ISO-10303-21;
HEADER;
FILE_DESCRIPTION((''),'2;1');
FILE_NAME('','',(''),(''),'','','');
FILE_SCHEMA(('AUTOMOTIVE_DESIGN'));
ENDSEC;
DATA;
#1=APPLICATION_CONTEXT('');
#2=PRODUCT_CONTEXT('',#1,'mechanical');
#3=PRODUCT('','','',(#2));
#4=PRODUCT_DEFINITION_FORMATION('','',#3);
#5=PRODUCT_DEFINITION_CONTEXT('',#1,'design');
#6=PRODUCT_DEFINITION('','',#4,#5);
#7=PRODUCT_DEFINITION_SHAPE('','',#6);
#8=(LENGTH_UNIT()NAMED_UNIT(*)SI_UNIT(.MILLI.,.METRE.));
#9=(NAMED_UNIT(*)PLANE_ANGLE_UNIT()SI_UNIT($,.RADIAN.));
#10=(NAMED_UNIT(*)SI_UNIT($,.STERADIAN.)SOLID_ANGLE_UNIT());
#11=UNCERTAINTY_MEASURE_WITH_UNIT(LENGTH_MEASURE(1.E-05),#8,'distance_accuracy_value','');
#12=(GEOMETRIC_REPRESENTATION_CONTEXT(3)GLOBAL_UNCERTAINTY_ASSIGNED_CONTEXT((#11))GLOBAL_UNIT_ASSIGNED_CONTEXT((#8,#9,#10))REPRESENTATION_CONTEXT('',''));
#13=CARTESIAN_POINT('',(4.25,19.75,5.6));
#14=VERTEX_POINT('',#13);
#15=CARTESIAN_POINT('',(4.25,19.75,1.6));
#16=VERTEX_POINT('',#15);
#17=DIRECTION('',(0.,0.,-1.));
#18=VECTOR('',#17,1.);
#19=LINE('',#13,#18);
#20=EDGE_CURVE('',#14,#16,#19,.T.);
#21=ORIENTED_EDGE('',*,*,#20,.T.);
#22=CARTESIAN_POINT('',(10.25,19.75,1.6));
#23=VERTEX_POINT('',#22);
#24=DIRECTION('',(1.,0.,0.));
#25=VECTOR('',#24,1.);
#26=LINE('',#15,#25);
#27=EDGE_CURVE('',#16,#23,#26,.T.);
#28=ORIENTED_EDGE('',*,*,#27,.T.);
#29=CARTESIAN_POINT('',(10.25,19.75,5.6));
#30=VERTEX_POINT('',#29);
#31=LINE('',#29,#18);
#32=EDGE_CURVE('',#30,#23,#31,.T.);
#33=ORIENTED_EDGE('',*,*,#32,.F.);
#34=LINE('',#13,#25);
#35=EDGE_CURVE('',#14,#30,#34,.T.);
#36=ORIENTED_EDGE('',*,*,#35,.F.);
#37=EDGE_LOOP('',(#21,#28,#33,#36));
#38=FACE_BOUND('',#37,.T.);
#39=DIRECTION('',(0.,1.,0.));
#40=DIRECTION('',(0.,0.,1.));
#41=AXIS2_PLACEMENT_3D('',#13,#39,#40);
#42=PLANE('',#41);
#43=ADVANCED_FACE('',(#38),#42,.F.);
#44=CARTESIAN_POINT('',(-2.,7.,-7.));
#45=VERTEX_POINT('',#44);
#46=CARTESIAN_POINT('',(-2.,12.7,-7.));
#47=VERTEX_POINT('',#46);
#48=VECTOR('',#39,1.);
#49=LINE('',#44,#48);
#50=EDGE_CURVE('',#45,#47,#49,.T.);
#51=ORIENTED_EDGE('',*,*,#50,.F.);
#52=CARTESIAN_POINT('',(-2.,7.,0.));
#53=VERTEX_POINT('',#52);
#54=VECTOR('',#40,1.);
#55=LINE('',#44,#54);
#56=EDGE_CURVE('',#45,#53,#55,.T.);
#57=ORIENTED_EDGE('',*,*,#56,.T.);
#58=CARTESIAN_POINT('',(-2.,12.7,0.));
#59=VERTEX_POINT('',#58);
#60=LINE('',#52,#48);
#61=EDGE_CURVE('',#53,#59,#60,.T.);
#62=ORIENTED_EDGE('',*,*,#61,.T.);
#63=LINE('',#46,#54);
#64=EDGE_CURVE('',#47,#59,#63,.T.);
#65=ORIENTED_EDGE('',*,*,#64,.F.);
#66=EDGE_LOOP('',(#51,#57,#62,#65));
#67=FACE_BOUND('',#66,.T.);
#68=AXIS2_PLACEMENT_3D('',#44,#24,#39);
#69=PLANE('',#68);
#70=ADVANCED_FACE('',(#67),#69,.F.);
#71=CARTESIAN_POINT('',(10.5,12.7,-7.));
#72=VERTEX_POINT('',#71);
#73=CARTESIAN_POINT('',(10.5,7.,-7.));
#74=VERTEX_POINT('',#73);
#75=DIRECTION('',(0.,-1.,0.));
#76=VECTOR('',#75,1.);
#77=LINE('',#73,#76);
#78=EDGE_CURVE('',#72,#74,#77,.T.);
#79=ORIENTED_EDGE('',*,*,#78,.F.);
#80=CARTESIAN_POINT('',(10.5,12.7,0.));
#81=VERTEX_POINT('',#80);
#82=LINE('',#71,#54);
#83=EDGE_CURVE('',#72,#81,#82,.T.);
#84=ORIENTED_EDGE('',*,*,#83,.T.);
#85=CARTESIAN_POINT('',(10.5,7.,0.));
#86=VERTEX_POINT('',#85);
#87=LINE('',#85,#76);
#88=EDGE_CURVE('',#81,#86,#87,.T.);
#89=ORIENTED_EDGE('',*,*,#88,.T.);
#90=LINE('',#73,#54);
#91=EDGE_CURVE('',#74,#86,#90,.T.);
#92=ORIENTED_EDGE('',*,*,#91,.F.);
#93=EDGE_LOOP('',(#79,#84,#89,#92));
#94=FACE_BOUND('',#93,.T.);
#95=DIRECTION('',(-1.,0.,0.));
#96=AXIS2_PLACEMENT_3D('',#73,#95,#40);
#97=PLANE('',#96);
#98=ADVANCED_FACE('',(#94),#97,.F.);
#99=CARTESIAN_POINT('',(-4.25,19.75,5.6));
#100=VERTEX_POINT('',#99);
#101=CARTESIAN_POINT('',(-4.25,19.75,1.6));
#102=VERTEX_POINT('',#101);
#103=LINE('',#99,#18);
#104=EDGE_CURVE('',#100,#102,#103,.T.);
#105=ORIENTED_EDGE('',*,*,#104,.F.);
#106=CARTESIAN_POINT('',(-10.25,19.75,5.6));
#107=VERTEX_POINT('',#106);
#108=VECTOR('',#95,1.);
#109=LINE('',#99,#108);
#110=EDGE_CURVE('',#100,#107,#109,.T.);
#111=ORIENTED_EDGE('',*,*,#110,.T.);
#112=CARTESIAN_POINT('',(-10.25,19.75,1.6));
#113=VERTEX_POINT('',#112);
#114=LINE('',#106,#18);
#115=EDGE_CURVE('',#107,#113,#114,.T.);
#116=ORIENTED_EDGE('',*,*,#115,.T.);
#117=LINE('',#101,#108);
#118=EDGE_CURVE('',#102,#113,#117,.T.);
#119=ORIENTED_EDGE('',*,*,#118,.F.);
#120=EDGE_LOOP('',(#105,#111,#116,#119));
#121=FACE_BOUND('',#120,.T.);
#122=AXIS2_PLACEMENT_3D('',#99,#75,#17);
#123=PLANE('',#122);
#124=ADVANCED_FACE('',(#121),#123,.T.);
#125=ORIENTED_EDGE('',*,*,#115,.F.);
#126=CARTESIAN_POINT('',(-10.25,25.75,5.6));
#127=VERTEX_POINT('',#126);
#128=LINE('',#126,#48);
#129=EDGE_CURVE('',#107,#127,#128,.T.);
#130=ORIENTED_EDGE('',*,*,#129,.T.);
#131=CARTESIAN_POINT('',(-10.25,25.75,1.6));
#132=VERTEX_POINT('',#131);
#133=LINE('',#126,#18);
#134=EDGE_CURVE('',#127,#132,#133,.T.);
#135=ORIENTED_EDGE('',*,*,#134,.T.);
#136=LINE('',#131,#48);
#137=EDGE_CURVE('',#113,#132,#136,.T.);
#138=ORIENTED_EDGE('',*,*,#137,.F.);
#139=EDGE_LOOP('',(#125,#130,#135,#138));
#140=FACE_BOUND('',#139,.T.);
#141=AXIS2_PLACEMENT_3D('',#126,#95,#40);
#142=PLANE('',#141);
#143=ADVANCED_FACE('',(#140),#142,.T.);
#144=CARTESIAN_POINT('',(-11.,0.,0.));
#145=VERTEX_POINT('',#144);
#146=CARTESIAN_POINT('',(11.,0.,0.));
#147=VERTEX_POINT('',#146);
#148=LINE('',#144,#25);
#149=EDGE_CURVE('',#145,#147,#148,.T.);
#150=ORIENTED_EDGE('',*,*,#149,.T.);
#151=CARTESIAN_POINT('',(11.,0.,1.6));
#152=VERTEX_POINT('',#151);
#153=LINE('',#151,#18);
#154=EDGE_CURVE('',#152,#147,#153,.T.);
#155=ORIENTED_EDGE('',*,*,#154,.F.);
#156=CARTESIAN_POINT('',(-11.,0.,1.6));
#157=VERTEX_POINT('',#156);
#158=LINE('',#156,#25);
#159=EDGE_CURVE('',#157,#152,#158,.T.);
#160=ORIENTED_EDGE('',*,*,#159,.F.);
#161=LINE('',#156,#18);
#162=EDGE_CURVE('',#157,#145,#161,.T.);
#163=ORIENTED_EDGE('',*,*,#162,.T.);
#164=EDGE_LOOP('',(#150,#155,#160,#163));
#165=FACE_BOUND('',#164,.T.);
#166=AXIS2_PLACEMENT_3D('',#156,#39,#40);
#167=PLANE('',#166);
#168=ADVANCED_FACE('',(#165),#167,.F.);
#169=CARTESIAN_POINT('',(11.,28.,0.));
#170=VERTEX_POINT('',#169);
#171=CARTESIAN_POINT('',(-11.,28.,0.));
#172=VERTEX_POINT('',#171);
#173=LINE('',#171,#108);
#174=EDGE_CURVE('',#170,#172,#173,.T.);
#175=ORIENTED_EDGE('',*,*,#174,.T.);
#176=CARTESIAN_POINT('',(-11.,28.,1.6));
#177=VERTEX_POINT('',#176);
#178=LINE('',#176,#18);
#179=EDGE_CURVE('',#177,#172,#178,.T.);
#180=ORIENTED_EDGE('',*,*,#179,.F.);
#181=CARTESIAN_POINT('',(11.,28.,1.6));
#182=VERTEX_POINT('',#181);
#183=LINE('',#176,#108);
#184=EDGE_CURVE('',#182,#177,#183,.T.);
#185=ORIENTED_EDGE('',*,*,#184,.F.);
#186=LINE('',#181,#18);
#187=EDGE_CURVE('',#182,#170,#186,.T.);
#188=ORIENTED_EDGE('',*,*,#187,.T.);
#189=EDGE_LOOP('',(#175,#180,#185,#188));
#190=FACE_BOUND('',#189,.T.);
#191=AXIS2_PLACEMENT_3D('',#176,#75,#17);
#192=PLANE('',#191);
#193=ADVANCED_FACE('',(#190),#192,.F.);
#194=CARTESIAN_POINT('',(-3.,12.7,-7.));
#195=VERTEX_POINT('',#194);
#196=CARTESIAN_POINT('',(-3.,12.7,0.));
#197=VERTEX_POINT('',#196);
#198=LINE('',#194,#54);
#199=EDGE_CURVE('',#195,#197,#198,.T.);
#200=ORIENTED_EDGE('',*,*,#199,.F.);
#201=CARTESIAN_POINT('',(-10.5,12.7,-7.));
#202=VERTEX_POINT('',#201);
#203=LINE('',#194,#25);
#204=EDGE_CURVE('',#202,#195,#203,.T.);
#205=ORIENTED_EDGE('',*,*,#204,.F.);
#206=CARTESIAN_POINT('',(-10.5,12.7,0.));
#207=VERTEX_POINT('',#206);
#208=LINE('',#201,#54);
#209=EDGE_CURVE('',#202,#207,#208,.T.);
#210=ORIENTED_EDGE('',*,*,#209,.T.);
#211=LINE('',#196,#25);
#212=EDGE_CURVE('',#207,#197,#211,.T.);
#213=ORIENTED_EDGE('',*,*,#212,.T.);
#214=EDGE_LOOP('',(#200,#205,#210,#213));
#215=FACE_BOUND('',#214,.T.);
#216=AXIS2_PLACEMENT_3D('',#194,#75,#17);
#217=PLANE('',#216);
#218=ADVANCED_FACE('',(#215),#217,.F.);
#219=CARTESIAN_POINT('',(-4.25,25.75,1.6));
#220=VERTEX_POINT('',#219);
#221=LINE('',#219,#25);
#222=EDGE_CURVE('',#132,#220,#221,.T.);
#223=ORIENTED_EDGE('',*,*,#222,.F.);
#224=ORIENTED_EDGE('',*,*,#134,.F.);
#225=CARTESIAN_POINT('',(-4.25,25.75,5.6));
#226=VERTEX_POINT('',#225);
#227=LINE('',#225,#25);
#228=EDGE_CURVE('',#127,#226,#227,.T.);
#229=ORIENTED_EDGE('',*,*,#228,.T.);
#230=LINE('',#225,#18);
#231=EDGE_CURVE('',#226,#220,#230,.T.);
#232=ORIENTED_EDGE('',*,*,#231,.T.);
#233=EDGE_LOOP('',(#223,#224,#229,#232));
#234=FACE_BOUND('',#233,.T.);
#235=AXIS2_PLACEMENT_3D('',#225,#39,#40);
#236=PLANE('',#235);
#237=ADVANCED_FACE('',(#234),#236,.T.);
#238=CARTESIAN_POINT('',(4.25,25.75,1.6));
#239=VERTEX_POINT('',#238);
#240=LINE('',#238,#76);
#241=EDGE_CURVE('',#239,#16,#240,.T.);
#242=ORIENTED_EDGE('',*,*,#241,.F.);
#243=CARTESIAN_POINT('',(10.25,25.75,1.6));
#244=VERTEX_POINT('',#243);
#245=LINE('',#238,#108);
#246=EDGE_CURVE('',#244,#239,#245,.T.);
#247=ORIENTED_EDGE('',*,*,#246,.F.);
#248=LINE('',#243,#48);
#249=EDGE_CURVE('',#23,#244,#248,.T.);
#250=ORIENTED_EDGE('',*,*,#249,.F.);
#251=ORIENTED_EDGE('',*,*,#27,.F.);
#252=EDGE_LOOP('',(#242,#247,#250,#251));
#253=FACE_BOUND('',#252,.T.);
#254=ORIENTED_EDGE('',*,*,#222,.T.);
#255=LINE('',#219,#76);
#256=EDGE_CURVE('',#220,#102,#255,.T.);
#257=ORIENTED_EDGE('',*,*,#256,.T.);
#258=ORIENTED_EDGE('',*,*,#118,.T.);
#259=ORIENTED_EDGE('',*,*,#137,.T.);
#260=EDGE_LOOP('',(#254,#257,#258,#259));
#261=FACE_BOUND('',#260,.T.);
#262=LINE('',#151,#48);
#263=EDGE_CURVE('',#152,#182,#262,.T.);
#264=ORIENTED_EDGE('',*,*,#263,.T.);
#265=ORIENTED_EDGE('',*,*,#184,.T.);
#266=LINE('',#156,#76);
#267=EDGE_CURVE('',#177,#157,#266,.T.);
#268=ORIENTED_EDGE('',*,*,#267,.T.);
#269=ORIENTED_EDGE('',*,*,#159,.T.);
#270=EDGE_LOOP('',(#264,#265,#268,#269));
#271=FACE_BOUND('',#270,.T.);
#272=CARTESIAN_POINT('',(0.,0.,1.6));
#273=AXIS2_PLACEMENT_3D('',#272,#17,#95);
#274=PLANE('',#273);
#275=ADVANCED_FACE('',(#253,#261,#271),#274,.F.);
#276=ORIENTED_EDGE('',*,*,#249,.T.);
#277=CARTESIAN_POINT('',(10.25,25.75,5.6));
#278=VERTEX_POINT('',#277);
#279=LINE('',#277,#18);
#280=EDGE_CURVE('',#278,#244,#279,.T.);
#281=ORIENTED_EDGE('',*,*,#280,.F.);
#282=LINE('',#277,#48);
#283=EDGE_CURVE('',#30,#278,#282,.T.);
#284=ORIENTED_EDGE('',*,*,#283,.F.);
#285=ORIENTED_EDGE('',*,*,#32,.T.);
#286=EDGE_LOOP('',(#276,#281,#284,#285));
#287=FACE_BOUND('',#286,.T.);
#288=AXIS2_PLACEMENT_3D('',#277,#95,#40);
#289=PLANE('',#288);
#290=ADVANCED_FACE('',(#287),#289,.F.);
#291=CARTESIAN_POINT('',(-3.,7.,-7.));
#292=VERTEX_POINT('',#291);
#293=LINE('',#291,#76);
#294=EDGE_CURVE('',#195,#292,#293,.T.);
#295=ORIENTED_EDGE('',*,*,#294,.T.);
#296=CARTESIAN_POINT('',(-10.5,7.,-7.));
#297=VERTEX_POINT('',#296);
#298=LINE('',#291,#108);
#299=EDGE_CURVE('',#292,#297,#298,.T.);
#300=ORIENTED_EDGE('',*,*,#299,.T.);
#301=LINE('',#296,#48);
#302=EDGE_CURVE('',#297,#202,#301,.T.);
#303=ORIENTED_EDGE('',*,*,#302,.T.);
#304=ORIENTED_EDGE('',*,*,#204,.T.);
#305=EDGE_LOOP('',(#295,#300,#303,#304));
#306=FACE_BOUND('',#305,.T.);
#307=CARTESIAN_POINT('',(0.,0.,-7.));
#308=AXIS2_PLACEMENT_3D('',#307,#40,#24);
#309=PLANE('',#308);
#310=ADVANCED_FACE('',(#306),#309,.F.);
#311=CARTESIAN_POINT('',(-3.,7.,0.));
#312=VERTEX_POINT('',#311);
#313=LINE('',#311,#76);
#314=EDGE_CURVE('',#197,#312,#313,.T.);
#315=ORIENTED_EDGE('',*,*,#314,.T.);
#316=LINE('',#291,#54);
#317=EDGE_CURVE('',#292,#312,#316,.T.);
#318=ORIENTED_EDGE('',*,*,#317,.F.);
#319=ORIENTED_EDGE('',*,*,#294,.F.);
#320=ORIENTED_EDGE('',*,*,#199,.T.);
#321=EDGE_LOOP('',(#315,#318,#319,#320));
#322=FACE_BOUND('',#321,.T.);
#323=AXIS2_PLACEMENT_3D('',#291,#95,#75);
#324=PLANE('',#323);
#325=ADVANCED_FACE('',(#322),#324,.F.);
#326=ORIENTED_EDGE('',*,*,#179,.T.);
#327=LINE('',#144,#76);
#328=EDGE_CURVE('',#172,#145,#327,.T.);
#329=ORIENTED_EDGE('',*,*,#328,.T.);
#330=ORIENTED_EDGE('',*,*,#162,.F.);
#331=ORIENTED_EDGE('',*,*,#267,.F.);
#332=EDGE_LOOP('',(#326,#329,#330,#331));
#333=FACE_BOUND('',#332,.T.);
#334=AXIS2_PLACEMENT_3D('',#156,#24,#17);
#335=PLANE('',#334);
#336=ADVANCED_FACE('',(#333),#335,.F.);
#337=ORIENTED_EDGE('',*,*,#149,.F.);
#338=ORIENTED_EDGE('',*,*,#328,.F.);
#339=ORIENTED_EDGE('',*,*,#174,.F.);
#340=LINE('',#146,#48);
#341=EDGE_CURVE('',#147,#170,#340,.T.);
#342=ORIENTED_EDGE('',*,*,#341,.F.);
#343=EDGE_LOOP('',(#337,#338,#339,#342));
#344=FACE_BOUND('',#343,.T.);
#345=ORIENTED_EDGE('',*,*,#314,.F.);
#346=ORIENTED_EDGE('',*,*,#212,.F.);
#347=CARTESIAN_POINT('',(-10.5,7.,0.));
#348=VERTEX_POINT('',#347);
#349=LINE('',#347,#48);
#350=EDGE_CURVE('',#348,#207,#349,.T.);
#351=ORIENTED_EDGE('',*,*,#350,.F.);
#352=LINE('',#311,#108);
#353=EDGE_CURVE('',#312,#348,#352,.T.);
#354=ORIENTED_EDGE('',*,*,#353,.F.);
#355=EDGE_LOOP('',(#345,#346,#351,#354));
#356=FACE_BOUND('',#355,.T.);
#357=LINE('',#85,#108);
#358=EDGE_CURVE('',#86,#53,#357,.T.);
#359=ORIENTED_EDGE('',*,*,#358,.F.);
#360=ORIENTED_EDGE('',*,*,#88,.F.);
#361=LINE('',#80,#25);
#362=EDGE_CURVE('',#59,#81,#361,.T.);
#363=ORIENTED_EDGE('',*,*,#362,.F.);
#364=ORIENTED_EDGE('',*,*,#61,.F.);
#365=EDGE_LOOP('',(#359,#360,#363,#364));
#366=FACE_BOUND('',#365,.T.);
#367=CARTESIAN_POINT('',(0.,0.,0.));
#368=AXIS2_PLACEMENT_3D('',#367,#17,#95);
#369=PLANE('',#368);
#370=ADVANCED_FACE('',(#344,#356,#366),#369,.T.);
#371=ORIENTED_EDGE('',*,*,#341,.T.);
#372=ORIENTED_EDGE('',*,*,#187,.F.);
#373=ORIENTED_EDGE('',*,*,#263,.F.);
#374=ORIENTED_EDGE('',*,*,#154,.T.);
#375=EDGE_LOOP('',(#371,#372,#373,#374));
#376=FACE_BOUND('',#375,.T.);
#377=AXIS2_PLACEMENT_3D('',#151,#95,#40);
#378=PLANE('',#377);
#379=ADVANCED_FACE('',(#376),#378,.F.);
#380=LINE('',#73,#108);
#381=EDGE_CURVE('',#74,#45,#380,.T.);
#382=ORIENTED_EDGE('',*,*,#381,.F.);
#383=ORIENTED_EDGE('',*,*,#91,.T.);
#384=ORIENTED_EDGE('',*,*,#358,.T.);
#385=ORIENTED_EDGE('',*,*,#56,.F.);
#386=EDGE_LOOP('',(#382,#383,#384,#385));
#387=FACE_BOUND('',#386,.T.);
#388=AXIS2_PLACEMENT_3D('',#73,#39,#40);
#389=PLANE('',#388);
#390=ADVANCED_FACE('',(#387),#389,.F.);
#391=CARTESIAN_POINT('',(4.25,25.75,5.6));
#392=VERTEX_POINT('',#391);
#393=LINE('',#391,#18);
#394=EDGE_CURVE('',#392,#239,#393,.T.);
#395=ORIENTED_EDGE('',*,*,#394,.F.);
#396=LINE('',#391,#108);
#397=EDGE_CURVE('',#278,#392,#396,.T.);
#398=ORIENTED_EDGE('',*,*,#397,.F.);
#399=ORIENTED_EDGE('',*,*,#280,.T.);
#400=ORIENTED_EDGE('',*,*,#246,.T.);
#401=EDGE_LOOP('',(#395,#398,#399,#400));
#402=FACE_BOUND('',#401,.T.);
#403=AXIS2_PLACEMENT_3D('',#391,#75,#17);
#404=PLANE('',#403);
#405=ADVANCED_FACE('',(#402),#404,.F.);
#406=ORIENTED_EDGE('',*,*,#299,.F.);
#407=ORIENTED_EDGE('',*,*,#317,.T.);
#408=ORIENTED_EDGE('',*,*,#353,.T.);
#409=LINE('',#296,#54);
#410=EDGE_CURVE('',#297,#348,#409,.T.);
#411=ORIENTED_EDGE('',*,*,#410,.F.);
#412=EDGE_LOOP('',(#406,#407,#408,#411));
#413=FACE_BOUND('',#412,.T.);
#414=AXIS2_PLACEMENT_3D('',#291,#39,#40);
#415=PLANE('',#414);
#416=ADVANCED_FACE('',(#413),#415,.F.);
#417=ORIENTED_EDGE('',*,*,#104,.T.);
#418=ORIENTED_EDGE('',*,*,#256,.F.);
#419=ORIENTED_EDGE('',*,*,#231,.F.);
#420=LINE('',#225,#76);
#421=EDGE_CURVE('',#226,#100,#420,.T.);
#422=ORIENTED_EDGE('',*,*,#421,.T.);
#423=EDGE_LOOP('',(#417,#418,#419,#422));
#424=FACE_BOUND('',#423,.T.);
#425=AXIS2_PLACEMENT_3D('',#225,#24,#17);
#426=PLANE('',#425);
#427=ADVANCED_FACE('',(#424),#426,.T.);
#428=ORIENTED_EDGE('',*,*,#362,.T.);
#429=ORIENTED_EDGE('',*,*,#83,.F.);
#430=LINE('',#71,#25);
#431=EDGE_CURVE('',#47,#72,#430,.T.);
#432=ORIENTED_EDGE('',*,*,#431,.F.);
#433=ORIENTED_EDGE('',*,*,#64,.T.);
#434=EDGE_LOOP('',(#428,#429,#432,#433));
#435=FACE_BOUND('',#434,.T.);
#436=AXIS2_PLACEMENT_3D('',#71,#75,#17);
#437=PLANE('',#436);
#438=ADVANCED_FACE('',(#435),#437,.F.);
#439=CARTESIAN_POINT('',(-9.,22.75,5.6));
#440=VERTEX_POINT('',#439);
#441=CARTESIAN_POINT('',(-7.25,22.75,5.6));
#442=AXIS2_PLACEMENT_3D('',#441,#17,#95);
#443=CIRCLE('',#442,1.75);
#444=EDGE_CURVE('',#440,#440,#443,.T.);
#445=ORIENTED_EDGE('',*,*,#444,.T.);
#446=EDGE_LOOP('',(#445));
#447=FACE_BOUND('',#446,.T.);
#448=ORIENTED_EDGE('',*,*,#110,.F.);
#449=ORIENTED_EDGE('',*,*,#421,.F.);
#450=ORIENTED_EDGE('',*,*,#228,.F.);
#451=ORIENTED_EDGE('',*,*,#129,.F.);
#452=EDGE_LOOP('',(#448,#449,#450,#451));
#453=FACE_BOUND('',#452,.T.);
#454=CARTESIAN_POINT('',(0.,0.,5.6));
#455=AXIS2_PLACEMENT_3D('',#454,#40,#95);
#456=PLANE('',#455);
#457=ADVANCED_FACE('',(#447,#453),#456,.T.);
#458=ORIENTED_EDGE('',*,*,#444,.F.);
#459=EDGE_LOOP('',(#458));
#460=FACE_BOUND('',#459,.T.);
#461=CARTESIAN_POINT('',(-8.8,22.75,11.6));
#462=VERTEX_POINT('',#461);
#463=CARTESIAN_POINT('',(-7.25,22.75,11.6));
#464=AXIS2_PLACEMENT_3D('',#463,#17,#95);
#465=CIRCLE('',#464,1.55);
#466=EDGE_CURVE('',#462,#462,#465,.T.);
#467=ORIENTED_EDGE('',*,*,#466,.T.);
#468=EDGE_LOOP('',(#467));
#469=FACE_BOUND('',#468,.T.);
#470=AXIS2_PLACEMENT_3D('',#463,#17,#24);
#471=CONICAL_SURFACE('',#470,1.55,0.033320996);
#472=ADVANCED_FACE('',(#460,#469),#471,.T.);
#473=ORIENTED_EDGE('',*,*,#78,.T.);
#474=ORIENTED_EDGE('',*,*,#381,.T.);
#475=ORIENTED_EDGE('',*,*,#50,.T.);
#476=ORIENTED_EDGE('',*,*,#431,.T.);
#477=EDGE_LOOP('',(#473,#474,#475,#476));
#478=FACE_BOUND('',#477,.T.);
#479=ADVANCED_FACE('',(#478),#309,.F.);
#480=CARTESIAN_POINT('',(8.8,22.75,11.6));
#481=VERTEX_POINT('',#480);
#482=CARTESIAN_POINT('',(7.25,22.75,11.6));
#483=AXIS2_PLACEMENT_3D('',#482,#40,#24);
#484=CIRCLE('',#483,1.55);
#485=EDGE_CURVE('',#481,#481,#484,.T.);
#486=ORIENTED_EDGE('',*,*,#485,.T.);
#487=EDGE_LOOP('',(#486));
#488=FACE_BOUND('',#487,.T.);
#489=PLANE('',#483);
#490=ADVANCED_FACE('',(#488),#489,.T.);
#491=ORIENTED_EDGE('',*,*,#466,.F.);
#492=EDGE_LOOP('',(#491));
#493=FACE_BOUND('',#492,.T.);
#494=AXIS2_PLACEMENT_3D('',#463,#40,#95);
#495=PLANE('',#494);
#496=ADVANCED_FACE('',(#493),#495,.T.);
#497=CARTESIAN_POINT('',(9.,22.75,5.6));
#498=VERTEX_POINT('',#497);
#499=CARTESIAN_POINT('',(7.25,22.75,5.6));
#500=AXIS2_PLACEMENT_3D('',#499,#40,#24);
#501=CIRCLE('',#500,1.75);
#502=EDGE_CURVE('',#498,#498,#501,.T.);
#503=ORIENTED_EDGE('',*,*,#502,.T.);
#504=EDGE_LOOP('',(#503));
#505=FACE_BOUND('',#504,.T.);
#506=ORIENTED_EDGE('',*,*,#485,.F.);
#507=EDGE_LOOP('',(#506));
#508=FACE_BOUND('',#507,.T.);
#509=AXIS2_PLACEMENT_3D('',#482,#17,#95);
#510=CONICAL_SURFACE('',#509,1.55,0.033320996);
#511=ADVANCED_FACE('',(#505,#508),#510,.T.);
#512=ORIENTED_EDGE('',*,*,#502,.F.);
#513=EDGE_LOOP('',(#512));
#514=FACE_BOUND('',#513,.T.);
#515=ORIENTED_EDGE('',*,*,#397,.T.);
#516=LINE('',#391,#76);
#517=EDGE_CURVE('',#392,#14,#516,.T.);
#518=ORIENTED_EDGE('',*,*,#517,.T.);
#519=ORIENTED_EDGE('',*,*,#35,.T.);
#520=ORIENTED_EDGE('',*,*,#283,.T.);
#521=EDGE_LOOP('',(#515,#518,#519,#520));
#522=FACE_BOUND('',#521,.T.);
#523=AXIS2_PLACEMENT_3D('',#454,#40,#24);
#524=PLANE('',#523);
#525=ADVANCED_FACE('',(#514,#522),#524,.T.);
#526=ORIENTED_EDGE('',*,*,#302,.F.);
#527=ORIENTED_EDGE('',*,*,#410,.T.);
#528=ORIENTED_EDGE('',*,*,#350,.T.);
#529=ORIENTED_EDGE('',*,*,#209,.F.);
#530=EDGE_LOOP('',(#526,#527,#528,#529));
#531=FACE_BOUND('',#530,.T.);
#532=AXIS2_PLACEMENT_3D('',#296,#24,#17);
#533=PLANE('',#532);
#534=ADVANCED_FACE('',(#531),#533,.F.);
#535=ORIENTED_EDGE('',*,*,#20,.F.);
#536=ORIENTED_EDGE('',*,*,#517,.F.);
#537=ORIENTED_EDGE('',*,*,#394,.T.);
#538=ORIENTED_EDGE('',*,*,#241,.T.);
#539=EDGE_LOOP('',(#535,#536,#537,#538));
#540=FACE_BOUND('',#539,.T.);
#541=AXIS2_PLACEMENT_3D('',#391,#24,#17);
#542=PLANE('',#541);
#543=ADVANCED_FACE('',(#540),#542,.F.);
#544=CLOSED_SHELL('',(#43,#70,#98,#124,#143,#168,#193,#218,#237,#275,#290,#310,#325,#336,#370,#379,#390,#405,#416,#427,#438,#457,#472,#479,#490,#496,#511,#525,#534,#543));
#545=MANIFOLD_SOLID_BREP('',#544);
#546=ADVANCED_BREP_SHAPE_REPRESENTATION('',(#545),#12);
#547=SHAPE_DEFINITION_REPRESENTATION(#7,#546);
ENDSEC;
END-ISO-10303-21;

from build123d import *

# Parameters (mm, degrees)
SKETCH1_W           = 22
SKETCH1_H           = 28
BOSS_EXTRUDE1_DEPTH = 1.6
SKETCH2_W           = 6
SKETCH2_H           = 6
BOSS_EXTRUDE2_DEPTH = 4
SKETCH3_W           = 12.5
SKETCH3_H           = 5.7
SKETCH3_W_2         = 7.5
BOSS_EXTRUDE3_DEPTH = 7
SKETCH5_R           = 1.55
SKETCH6_R           = 1.75


with BuildPart() as part:
    # Sketch1 → Boss-Extrude1 (new body)
    with BuildSketch(Plane.XY):
        with Locations((0, 14)):
            Rectangle(SKETCH1_W, SKETCH1_H)
    extrude(amount=BOSS_EXTRUDE1_DEPTH)

    # Sketch2 → Boss-Extrude2 (add)
    with BuildSketch(Plane.XY.offset(1.6)):
        with Locations((7.25, 22.75)):
            Rectangle(SKETCH2_W, SKETCH2_H)
    boss_extrude2 = extrude(amount=BOSS_EXTRUDE2_DEPTH)

    # Sketch3 → Boss-Extrude3 (add)
    with BuildSketch(Plane(origin=(0, 0, 0), x_dir=(-1, 0, 0), z_dir=(0, 0, -1))):
        with Locations((-4.25, 9.85)):
            Rectangle(SKETCH3_W, SKETCH3_H)
        with Locations((6.75, 9.85)):
            Rectangle(SKETCH3_W_2, SKETCH3_H)
    extrude(amount=BOSS_EXTRUDE3_DEPTH)

    # Sketch5 → Loft1 section 0
    with BuildSketch(Plane.XY.offset(11.6)):
        with Locations((7.25, 22.75)):
            Circle(SKETCH5_R)
    # Sketch6 → Loft1 section 1
    with BuildSketch(Plane.XY.offset(5.6)):
        with Locations((7.25, 22.75)):
            Circle(SKETCH6_R)
    loft1 = loft()

    # Mirror1: Boss-Extrude2, Loft1 across plane
    add(boss_extrude2.mirror(Plane(origin=(0, 0, 0), x_dir=(0, 0, 1), z_dir=(1, 0, 0))))
    add(loft1.mirror(Plane(origin=(0, 0, 0), x_dir=(0, 0, 1), z_dir=(1, 0, 0))))


solid = part.part
